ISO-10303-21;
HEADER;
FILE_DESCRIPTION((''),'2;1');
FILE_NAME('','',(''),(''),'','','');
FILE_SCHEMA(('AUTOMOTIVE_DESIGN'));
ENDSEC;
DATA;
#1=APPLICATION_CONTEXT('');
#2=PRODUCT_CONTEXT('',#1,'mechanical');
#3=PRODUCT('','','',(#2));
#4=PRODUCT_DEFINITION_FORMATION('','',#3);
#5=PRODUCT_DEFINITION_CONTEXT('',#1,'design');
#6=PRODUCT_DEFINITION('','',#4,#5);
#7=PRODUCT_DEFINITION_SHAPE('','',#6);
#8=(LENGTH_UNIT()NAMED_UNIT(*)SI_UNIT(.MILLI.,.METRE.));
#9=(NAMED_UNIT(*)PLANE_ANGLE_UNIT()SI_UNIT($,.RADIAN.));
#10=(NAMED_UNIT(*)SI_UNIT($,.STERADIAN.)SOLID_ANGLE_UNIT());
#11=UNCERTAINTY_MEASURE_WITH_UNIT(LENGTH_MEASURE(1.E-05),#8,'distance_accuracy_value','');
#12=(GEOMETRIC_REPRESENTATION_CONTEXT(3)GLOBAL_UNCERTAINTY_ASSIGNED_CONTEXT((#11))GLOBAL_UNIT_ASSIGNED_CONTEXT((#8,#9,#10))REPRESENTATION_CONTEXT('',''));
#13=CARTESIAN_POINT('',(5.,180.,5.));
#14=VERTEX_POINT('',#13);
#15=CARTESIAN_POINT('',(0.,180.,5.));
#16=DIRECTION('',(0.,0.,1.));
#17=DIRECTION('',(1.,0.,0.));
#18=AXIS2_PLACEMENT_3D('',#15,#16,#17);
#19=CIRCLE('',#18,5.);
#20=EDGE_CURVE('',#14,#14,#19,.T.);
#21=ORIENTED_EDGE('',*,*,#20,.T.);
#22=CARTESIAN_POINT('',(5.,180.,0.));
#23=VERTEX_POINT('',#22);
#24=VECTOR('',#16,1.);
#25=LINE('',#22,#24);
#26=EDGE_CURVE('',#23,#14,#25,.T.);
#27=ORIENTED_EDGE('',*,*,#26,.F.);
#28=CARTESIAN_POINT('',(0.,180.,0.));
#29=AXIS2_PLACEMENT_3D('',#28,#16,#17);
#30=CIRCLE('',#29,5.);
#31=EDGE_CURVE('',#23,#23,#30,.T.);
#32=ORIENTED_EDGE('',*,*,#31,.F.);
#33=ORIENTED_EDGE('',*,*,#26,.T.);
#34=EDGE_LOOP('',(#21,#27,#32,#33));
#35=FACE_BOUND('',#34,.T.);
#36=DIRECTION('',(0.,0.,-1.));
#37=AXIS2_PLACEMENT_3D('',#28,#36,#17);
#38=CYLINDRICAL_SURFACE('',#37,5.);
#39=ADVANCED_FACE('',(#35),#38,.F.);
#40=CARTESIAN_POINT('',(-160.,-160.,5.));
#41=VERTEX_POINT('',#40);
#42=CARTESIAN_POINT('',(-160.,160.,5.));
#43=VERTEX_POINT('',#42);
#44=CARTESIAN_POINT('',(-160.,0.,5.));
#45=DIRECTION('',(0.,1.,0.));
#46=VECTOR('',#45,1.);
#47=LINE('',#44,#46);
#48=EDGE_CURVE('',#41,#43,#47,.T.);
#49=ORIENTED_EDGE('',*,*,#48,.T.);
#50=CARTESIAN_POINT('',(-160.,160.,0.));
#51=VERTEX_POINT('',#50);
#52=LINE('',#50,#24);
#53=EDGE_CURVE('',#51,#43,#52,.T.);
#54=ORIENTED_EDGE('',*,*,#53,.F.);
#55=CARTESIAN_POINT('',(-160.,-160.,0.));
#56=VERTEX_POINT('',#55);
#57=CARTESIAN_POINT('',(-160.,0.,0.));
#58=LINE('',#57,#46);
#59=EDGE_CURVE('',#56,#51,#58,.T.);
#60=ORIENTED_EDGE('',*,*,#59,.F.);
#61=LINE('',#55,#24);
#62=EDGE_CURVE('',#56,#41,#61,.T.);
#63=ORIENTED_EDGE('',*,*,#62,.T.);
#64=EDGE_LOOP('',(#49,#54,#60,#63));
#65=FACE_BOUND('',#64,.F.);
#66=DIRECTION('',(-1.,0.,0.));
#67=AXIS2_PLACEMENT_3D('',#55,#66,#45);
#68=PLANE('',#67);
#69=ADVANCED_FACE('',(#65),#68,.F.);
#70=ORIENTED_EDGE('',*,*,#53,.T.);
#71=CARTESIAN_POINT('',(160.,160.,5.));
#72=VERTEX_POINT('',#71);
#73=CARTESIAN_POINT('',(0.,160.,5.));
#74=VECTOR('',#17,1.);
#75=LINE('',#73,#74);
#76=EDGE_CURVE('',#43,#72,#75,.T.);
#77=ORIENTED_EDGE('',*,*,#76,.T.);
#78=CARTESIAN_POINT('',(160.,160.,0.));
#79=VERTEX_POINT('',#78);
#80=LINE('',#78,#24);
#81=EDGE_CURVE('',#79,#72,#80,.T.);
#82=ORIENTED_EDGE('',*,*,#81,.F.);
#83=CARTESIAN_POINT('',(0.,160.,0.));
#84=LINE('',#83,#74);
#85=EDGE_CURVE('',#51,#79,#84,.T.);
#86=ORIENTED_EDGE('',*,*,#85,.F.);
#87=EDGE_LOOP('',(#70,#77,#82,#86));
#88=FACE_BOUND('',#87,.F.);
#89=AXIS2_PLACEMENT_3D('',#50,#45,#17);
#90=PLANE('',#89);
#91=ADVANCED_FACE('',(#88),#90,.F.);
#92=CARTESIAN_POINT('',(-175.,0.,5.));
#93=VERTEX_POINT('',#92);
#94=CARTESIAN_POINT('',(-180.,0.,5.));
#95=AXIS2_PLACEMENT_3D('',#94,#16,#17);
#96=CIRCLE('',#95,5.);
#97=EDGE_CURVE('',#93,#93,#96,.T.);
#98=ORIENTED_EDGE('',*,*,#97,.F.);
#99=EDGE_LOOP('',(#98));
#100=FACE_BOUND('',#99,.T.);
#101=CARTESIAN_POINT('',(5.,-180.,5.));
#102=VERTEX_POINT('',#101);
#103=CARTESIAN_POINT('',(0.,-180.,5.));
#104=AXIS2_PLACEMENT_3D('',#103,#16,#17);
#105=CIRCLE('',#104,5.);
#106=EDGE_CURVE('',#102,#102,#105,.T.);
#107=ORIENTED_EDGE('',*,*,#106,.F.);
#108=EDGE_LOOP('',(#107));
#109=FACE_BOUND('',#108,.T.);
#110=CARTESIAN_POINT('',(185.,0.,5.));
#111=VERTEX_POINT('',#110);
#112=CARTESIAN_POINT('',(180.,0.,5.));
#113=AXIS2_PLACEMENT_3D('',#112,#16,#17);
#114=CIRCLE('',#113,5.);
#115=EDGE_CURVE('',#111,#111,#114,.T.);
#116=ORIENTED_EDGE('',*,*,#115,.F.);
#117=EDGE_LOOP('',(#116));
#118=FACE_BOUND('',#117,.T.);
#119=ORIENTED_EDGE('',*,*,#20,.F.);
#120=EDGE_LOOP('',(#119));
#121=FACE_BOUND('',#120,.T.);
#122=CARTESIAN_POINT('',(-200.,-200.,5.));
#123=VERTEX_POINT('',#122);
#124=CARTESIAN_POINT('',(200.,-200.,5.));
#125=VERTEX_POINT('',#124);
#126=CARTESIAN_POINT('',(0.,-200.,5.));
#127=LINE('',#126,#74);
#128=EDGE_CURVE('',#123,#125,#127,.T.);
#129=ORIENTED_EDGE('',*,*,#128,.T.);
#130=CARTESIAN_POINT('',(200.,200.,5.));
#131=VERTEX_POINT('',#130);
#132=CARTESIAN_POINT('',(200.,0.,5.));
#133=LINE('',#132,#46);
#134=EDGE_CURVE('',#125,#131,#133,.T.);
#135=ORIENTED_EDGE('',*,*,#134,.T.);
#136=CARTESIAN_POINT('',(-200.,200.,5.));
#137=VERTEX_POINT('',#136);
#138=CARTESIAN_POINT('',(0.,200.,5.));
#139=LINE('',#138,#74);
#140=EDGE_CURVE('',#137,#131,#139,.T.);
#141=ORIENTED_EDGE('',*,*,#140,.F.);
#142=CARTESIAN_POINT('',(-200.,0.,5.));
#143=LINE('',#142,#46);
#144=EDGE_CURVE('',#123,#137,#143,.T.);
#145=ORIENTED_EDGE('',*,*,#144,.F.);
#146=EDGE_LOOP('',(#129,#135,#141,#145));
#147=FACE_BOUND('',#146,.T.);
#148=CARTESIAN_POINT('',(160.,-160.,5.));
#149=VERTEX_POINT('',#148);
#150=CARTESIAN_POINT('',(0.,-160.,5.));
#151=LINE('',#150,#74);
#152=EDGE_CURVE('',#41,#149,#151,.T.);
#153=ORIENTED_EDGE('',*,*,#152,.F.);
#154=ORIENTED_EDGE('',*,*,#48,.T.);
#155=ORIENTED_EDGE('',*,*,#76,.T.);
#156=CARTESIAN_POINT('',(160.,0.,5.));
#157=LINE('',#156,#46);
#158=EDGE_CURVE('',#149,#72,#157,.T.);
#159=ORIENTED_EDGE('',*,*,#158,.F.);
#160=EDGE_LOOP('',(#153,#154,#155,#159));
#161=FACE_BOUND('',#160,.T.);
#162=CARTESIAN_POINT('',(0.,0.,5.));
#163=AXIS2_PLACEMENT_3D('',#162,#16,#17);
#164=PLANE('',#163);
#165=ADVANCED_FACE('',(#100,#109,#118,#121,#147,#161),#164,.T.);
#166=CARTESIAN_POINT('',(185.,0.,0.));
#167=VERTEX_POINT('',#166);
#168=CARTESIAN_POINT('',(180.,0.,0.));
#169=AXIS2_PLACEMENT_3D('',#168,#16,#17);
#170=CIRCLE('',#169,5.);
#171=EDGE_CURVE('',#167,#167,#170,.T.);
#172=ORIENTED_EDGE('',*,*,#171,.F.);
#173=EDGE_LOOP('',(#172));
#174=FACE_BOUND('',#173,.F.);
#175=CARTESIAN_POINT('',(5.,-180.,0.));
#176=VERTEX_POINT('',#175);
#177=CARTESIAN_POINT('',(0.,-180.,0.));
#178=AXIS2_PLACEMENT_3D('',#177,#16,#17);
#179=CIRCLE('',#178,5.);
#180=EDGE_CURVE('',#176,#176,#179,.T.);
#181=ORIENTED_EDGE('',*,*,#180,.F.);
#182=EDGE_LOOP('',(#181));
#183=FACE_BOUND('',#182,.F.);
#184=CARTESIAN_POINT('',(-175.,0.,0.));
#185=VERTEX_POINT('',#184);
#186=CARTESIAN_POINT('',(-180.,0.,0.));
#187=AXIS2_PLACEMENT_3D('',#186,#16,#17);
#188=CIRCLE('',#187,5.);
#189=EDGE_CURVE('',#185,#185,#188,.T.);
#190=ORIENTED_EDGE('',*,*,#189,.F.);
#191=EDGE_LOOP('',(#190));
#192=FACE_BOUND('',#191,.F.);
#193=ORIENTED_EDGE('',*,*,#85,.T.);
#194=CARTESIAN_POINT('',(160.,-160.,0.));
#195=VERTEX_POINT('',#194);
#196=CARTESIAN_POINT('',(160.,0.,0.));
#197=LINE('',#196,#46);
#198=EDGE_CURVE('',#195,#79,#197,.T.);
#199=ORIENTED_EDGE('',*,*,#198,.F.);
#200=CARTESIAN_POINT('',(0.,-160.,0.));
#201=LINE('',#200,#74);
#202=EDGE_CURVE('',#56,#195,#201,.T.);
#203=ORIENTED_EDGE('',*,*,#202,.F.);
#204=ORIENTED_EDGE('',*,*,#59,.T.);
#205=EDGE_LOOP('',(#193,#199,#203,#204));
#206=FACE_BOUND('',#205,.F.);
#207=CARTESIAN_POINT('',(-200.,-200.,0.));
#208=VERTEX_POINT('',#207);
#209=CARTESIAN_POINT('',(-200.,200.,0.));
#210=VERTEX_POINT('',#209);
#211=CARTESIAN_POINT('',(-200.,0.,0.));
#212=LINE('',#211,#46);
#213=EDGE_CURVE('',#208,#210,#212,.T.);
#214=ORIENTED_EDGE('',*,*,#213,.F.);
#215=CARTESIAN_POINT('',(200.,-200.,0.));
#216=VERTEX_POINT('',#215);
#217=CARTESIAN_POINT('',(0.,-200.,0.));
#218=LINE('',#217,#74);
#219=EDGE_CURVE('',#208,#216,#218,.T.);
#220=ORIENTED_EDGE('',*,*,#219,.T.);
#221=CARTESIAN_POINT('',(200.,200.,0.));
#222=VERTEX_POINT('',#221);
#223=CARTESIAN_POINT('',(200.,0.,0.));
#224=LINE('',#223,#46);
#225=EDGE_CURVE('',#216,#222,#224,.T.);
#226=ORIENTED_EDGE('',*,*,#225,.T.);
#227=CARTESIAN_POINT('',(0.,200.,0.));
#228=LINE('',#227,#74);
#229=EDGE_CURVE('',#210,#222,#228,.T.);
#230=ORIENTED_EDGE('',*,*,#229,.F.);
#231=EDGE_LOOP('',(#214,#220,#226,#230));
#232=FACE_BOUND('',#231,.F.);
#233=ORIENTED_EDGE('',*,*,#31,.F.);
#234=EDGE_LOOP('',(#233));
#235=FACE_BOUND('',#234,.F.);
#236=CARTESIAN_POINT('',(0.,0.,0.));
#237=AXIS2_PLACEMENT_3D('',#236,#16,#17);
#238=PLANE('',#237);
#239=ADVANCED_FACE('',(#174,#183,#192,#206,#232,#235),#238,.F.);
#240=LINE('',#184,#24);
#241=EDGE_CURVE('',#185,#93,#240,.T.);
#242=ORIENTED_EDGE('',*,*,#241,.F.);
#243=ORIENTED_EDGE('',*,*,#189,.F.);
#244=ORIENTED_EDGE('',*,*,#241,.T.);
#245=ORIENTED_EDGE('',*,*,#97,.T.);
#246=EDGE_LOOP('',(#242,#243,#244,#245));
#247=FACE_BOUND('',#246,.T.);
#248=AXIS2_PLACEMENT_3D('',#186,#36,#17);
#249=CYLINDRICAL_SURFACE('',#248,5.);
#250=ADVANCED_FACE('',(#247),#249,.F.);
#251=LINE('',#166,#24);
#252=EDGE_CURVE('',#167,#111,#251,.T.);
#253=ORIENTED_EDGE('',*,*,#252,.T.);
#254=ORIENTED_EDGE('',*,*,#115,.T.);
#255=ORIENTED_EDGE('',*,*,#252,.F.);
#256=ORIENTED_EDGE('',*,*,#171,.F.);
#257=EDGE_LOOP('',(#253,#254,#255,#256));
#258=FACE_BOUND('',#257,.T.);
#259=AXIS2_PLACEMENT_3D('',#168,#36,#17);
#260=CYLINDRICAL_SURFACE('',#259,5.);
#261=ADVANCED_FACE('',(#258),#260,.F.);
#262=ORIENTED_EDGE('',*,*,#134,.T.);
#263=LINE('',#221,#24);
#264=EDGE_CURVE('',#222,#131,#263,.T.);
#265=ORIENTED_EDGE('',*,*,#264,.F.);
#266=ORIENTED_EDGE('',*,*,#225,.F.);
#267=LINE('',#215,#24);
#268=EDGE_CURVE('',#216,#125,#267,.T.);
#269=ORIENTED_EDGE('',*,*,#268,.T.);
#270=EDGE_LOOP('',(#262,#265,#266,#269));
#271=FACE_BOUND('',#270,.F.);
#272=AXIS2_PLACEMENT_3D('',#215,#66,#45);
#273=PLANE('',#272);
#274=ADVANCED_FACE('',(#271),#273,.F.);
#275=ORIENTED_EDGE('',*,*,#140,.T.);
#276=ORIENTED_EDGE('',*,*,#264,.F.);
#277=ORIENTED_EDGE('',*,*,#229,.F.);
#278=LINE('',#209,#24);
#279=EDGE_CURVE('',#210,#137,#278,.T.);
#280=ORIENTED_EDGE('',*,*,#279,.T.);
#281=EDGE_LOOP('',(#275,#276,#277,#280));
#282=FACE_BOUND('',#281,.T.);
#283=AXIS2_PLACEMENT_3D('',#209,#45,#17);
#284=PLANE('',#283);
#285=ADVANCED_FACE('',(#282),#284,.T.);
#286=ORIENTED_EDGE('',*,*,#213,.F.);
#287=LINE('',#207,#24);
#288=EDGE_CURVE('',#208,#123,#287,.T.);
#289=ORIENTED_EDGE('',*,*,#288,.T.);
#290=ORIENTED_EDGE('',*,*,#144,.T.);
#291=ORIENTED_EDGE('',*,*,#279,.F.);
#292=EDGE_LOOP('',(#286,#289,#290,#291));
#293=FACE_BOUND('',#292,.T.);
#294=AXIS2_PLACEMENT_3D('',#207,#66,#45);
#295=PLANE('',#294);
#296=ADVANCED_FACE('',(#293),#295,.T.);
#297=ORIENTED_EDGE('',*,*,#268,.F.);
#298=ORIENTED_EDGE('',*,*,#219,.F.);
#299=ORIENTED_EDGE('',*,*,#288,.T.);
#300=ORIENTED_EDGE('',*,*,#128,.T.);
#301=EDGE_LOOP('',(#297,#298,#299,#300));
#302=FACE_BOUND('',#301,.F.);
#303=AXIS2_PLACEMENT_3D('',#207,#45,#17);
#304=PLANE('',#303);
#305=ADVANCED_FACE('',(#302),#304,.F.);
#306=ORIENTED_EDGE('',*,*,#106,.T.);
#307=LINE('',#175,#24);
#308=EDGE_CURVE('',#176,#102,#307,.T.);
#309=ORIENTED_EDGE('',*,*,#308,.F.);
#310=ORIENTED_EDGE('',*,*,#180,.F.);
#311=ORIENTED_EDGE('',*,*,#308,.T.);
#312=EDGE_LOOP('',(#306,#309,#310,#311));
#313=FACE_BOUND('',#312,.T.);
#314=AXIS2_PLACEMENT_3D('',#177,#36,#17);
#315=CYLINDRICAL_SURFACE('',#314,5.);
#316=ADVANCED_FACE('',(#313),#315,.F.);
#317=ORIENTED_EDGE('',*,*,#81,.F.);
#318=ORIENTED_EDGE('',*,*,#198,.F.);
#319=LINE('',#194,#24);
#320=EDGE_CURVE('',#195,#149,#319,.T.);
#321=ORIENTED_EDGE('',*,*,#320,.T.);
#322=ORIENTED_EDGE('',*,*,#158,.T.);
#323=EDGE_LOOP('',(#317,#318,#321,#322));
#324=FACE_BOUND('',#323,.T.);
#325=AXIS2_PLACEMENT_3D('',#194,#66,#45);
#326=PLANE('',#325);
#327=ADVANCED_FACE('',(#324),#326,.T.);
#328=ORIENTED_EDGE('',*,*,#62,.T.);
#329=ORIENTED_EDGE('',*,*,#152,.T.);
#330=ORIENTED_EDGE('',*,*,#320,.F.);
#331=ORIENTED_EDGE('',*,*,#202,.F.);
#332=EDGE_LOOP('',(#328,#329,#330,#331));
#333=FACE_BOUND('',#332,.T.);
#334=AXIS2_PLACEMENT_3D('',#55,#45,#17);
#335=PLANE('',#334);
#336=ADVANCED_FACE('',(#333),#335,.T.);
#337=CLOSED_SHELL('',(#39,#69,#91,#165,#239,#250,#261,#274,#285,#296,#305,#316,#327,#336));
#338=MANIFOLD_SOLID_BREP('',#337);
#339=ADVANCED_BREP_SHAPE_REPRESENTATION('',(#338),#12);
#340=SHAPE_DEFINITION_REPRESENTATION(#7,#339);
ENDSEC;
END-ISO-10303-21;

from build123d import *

# Parameters (mm, degrees)
F0_W     = 400
F0_H     = 400
F0_R     = 5
F0_W_2   = 320
F0_H_2   = 320
F1_DEPTH = 5


with BuildPart() as f1:
    # F0 (on Top) → F1 (new body)
    with BuildSketch(Plane.XY):
        Rectangle(F0_W, F0_H)
        with Locations((0, -180)):
            Circle(F0_R, mode=Mode.SUBTRACT)
        with Locations((-180, 0)):
            Circle(F0_R, mode=Mode.SUBTRACT)
        Rectangle(F0_W_2, F0_H_2, mode=Mode.SUBTRACT)
        with Locations((180, 0)):
            Circle(F0_R, mode=Mode.SUBTRACT)
        with Locations((0, 180)):
            Circle(F0_R, mode=Mode.SUBTRACT)
    extrude(amount=F1_DEPTH)


solid = f1.part
